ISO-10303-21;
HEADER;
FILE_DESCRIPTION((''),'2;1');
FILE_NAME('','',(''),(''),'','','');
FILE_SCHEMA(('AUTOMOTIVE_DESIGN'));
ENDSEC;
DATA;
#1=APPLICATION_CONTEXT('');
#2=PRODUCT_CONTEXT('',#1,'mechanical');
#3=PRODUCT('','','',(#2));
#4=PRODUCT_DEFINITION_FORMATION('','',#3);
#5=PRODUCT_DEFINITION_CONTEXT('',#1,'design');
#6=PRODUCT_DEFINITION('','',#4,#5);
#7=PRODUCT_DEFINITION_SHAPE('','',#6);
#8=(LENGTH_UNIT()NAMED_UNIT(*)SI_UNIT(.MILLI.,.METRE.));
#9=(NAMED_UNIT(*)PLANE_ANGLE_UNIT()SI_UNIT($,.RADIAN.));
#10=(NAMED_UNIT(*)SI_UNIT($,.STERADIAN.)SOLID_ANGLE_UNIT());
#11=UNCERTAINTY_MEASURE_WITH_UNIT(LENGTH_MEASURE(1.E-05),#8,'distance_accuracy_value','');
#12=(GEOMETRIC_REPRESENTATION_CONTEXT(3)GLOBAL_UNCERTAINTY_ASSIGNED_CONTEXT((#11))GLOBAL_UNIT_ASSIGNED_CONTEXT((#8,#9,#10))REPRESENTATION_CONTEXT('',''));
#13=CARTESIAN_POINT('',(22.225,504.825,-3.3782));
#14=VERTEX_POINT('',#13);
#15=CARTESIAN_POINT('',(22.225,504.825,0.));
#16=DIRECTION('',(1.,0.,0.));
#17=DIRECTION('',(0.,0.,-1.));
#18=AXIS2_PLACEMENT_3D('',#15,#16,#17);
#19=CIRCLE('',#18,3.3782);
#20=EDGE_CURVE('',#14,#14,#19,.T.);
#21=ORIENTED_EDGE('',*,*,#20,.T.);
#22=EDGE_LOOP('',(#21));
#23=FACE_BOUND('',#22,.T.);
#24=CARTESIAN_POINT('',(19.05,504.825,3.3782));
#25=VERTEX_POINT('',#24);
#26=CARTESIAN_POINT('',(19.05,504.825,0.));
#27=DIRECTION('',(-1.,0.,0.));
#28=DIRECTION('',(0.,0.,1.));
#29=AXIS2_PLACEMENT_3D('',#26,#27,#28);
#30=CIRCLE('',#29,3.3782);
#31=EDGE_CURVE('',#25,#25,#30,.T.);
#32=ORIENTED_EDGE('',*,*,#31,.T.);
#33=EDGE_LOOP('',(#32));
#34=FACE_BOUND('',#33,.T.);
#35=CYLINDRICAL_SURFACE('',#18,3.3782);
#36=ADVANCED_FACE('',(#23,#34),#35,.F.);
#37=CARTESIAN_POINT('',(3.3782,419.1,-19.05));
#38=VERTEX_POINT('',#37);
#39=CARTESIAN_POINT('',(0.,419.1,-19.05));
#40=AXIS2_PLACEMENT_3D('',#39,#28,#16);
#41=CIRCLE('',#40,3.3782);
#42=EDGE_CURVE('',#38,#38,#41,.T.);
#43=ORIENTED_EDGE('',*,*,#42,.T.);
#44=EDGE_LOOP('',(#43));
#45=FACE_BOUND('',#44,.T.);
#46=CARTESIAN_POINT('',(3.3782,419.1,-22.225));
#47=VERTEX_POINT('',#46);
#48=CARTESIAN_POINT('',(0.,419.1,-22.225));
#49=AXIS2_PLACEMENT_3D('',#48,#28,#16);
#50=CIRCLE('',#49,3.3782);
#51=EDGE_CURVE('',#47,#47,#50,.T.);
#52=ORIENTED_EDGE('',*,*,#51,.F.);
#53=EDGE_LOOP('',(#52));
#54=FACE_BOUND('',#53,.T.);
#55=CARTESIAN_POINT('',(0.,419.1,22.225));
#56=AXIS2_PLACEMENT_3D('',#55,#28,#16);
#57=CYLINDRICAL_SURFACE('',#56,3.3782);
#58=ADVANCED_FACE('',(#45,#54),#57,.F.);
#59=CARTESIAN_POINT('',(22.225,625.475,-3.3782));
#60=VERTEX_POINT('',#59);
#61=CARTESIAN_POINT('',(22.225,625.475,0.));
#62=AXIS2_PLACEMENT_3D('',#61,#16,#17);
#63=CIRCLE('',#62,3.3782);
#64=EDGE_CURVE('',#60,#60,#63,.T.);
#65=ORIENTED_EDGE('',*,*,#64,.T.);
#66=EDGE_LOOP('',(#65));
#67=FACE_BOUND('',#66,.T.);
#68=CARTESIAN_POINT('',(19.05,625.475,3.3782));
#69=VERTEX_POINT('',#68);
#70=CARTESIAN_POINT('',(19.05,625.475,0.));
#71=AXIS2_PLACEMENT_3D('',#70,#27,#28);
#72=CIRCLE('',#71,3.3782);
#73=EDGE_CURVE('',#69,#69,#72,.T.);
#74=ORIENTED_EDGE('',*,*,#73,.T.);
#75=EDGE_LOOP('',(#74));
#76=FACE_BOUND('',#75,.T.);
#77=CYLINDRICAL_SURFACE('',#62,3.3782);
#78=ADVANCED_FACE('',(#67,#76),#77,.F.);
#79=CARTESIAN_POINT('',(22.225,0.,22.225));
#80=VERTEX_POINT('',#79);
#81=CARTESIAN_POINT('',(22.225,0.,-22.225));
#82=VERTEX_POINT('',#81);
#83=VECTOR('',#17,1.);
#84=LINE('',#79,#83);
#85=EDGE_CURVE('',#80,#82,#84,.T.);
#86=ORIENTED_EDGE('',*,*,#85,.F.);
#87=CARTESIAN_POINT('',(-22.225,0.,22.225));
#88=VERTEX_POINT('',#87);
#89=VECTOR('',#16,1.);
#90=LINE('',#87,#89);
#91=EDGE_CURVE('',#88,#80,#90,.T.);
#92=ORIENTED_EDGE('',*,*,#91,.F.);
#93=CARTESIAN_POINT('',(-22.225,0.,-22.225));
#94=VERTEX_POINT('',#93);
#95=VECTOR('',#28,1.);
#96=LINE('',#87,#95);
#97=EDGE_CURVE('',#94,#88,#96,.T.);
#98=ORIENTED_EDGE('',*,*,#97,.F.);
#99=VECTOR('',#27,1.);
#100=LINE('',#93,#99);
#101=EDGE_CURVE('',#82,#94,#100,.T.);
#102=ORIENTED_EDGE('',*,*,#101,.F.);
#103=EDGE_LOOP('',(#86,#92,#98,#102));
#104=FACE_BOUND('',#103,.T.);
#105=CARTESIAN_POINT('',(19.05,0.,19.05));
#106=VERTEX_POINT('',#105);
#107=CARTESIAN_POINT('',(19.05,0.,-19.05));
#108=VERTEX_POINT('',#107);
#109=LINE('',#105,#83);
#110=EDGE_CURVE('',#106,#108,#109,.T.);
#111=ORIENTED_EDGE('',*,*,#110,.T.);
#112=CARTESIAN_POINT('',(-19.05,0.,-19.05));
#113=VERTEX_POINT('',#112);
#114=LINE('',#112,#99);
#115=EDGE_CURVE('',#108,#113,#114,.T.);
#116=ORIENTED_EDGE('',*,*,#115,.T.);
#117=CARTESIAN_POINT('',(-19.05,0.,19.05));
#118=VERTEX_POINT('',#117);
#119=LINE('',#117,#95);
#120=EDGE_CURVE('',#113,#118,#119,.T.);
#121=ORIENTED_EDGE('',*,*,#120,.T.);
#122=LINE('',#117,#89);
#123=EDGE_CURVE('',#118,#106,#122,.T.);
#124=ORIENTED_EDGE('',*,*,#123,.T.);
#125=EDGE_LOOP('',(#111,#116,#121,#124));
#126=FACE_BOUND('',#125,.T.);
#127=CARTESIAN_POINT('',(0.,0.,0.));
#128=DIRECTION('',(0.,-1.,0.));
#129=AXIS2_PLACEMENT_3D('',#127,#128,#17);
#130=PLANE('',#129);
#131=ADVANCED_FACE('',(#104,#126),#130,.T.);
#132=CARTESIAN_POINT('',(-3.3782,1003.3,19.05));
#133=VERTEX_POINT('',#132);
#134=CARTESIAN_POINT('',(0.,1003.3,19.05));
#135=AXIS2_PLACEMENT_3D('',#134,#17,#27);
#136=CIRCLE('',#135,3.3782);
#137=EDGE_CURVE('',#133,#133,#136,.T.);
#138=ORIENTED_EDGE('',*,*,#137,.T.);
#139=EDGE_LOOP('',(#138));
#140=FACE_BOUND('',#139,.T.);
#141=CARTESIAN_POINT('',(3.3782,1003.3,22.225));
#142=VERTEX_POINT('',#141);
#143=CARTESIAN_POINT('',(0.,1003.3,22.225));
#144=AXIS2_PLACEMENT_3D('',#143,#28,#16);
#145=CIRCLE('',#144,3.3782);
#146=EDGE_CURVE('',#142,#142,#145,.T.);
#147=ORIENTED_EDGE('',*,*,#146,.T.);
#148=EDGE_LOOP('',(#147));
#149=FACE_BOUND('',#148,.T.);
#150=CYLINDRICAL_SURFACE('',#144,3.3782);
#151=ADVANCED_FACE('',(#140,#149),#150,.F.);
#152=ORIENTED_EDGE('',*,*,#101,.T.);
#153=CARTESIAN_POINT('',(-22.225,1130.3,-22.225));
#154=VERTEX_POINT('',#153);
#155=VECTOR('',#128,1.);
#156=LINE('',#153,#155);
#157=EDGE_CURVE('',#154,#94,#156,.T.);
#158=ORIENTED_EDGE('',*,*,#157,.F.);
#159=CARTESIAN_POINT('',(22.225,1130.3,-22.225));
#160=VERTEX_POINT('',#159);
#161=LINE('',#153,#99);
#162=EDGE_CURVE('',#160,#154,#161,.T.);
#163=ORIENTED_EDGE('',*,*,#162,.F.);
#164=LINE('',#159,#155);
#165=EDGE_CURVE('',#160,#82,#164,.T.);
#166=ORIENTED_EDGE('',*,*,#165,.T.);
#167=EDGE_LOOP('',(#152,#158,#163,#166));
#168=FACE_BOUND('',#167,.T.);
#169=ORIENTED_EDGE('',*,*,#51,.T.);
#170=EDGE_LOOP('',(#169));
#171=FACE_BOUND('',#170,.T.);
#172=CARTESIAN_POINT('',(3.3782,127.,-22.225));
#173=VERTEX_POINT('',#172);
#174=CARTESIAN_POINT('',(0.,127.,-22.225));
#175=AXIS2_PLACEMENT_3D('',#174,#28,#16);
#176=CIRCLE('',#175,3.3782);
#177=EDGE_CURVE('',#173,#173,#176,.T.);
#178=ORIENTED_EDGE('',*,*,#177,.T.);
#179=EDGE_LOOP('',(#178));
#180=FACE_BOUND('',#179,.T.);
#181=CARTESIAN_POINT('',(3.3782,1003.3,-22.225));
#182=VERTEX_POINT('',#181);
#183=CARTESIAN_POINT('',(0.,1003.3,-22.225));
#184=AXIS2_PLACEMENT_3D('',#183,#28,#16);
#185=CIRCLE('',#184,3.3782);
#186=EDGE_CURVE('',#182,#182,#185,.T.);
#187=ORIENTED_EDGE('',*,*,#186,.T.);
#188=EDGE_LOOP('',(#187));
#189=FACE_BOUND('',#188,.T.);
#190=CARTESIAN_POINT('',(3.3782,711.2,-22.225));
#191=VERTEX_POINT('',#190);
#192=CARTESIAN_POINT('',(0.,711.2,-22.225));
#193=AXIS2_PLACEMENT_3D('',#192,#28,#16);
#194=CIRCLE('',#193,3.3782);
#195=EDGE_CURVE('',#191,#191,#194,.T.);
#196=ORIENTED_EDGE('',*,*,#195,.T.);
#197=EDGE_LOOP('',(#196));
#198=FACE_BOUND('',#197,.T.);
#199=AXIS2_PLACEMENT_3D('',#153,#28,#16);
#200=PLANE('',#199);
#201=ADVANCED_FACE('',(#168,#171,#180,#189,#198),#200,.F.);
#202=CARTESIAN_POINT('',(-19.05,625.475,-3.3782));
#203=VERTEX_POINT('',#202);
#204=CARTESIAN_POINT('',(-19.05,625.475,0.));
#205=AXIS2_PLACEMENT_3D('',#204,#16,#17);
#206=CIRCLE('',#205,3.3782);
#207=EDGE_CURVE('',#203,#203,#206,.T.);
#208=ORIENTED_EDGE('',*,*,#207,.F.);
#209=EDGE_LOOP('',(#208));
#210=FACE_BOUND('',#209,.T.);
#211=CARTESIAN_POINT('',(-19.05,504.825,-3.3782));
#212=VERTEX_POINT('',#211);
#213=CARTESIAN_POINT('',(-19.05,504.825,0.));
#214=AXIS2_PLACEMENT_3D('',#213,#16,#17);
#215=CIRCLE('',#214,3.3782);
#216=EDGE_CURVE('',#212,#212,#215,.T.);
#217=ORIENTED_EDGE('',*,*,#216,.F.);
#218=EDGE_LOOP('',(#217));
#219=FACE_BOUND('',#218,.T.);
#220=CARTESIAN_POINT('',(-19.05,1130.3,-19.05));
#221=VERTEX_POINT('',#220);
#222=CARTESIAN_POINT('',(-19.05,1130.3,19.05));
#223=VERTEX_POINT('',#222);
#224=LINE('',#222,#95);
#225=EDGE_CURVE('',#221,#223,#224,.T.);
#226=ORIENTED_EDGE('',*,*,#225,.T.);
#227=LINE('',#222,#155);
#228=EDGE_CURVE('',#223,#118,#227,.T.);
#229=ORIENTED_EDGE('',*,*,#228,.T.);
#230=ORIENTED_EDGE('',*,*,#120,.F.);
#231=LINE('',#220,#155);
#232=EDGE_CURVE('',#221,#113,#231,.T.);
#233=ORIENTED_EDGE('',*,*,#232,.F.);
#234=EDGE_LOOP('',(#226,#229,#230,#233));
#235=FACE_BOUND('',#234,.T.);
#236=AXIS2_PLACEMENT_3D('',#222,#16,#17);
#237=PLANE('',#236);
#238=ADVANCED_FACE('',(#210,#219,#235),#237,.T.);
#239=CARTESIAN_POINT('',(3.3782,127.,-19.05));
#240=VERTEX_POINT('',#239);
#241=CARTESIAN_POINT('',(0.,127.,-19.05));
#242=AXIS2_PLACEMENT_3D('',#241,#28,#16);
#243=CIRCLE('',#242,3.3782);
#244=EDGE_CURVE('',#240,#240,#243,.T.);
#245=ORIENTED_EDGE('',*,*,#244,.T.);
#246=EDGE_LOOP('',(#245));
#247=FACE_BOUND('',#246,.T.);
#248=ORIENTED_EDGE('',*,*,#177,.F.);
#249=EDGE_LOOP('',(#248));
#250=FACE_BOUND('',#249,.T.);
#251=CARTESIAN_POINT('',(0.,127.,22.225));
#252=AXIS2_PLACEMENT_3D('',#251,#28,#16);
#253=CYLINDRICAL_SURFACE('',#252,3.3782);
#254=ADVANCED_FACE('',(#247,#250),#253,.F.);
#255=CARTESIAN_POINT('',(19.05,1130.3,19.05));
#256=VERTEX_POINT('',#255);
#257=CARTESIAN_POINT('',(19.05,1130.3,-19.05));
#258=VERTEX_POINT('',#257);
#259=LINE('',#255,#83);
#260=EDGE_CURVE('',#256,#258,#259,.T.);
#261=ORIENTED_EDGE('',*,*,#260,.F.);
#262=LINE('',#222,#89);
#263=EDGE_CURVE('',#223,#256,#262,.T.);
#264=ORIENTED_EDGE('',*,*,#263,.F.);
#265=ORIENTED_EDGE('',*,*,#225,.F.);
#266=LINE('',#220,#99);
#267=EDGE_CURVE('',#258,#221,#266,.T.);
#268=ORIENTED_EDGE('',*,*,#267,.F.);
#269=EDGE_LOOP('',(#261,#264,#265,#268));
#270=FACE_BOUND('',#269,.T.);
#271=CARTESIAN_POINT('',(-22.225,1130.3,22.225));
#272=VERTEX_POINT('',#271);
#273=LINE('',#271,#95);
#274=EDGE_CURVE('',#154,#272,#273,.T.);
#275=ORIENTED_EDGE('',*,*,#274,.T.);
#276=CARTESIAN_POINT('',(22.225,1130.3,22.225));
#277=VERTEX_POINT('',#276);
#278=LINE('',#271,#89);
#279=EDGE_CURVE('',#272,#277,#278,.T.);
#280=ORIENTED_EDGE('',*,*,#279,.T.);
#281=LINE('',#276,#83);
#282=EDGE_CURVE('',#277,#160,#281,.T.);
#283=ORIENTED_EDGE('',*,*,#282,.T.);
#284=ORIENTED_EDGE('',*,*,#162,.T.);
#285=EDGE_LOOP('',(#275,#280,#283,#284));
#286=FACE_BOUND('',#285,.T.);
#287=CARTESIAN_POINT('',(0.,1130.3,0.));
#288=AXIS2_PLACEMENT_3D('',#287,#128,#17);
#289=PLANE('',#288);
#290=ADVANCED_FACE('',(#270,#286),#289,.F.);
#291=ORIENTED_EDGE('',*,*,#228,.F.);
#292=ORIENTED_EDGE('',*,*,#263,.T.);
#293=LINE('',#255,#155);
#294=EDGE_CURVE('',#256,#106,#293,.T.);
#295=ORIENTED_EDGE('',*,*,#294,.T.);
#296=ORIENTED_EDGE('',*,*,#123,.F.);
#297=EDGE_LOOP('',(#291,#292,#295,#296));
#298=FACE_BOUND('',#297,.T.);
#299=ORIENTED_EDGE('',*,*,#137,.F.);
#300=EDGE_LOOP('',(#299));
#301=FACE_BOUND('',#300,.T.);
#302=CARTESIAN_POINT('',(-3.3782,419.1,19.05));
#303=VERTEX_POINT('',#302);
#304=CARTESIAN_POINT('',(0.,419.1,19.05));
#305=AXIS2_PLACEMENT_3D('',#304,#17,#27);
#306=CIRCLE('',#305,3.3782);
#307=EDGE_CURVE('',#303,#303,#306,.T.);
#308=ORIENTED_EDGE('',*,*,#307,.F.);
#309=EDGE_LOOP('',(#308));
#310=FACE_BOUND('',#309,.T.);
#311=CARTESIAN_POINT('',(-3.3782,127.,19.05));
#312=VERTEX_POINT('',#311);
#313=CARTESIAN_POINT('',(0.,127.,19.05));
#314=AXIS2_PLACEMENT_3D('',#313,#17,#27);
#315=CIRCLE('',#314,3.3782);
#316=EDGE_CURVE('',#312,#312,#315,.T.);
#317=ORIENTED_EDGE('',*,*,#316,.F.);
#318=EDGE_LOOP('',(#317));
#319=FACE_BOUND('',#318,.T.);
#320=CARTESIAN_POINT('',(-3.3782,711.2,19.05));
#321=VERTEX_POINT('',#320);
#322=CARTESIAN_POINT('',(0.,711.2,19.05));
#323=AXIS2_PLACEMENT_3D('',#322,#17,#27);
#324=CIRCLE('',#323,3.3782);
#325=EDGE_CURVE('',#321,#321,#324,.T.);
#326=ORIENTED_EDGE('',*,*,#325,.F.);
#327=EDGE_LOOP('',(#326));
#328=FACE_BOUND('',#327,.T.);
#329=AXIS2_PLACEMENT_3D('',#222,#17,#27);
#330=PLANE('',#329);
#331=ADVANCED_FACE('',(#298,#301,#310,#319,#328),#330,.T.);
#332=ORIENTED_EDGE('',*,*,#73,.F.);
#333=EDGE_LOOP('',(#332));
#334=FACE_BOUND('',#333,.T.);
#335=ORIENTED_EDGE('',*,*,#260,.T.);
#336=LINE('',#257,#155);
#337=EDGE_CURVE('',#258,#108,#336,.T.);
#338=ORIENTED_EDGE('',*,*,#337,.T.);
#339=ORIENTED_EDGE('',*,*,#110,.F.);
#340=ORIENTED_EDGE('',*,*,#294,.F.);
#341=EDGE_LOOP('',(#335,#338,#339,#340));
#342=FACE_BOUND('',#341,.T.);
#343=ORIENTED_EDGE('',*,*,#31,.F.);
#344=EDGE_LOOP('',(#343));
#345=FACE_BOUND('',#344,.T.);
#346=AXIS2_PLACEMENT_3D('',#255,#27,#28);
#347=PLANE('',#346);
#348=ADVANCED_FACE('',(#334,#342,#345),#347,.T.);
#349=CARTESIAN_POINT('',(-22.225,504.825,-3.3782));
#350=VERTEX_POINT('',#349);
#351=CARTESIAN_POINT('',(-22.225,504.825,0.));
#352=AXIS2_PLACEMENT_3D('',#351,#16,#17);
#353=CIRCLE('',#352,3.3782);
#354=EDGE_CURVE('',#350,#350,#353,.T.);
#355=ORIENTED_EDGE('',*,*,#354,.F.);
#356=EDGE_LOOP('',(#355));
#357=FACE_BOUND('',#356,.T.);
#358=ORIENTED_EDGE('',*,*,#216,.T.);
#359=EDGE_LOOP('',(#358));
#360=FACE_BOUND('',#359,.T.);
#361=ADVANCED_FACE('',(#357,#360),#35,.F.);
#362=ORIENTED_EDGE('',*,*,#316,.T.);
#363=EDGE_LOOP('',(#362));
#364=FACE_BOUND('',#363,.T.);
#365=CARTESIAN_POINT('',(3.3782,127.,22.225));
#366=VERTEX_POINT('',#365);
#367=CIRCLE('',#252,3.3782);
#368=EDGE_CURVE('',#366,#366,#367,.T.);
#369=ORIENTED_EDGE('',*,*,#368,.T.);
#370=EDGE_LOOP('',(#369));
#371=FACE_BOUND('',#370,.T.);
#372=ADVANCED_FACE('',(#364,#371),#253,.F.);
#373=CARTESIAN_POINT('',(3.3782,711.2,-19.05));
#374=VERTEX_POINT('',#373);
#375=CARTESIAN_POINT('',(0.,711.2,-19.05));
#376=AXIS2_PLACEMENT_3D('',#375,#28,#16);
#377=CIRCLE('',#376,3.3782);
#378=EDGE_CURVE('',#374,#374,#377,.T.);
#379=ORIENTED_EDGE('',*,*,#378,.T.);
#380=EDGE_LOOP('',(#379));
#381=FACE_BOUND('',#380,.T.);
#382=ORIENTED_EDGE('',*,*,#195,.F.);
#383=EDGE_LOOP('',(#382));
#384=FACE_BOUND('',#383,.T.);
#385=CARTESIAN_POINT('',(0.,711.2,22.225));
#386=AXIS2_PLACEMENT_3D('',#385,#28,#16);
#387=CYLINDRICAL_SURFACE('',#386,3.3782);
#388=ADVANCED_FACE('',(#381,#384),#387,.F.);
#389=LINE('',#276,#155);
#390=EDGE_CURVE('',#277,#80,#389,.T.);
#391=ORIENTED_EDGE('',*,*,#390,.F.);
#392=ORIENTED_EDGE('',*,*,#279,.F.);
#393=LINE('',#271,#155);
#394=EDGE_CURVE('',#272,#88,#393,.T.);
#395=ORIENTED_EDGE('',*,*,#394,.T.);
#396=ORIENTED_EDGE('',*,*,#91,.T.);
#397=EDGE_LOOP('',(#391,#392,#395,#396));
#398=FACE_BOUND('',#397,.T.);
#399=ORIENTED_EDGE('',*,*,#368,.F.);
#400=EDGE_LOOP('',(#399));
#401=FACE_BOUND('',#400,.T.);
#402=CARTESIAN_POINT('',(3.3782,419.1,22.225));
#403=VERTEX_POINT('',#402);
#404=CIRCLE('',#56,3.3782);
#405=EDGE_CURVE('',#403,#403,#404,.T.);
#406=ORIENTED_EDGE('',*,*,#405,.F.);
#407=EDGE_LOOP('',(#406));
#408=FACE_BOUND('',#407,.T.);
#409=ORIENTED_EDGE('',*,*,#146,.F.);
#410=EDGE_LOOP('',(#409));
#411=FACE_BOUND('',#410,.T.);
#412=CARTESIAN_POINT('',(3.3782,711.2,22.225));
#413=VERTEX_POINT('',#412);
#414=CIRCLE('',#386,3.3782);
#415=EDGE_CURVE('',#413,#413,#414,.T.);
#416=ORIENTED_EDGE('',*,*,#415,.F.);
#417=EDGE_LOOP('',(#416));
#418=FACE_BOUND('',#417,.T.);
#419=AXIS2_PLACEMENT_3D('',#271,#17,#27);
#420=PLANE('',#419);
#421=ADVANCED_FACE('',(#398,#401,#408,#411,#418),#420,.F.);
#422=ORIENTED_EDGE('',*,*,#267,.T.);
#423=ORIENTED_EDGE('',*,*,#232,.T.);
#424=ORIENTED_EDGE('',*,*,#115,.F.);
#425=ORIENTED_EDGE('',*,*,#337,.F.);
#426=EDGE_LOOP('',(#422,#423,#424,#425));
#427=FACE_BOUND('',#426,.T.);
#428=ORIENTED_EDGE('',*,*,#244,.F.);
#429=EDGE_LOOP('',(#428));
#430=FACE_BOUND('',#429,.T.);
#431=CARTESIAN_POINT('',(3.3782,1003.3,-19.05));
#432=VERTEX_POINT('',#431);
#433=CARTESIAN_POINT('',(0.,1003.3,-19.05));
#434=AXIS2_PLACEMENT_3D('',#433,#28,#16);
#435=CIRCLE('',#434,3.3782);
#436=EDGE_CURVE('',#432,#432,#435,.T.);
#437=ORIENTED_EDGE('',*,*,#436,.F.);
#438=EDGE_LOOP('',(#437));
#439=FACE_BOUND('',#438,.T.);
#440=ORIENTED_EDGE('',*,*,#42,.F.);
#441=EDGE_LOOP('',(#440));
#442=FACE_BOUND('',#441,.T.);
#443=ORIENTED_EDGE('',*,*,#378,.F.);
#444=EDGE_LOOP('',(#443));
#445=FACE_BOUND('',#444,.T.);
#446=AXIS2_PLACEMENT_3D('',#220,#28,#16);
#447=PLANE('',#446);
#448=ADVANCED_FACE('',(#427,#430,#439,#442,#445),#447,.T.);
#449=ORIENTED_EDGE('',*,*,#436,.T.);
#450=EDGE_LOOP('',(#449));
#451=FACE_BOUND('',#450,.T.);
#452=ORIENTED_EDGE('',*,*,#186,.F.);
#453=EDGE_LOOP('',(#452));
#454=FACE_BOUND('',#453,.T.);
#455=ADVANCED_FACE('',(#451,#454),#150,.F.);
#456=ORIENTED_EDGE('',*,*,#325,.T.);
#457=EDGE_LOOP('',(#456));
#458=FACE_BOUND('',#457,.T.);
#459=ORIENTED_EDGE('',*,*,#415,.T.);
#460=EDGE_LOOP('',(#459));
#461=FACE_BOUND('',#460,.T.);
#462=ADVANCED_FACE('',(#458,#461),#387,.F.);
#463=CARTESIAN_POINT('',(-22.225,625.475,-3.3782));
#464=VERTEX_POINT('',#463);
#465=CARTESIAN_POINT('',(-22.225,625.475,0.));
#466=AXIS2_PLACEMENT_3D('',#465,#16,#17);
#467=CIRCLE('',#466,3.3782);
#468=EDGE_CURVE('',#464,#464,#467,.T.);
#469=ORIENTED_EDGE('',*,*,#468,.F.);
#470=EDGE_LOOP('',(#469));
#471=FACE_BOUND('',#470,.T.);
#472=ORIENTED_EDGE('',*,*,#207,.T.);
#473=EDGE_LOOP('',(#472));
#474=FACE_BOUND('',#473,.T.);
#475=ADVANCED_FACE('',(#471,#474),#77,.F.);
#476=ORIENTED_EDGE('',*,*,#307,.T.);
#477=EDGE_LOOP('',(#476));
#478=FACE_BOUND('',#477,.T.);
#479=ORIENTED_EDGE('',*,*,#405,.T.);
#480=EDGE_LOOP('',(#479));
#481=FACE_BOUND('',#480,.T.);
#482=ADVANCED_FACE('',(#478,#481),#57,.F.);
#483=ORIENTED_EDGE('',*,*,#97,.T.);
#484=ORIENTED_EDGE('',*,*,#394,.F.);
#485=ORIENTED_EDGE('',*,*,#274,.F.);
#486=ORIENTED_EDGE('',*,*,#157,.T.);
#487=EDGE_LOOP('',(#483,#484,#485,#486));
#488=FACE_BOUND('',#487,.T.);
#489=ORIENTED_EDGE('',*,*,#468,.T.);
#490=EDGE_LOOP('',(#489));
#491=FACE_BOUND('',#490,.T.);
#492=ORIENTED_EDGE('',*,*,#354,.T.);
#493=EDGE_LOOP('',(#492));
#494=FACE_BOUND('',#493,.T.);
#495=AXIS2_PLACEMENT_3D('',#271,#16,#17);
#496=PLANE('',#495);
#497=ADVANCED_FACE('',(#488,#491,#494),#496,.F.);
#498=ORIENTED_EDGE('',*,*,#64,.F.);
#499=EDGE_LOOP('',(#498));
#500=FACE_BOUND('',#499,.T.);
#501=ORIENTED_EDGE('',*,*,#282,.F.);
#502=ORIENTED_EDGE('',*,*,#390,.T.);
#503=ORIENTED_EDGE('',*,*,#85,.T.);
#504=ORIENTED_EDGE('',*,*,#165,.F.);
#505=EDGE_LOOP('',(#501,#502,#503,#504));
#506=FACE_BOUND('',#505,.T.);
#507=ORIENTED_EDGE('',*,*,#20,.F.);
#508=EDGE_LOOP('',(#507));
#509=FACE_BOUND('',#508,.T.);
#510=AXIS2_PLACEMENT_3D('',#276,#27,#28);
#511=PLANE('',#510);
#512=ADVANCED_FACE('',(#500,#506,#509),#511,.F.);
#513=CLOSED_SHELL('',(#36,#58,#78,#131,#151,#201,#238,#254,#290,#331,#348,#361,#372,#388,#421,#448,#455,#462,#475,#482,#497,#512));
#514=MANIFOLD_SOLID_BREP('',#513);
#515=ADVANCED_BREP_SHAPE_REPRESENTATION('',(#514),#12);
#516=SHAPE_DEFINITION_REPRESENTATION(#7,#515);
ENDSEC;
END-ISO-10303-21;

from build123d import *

# Parameters (mm, degrees)
SKETCH1_W               = 44.45
SKETCH1_H               = 44.45
SKETCH1_W_2             = 38.1
SKETCH1_H_2             = 38.1
BOSS_EXTRUDE1_DEPTH     = 1130.3
F_1_4_CLEARANCE_HOLE1_D = 6.7564
F_1_4_CLEARANCE_HOLE2_D = 6.7564


with BuildPart() as part:
    # Sketch1 → Boss-Extrude1 (new body)
    with BuildSketch(Plane(origin=(0, 0, 0), x_dir=(1, 0, 0), z_dir=(0, 1, 0))):
        Rectangle(SKETCH1_W, SKETCH1_H)
        Rectangle(SKETCH1_W_2, SKETCH1_H_2, mode=Mode.SUBTRACT)
    extrude(amount=BOSS_EXTRUDE1_DEPTH)

    # 1/4 Clearance Hole1 (through all)
    with Locations(Plane.XY.offset(22.225)):
        with Locations((0, 127), (0, 1003.3), (0, 711.2), (0, 419.1)):
            Hole(F_1_4_CLEARANCE_HOLE1_D / 2)

    # 1/4 Clearance Hole2 (through all)
    with Locations(Plane(origin=(22.225, 0, 0), x_dir=(0, 0, -1), z_dir=(1, 0, 0))):
        with Locations((0, 625.475), (0, 504.825)):
            Hole(F_1_4_CLEARANCE_HOLE2_D / 2)


solid = part.part
